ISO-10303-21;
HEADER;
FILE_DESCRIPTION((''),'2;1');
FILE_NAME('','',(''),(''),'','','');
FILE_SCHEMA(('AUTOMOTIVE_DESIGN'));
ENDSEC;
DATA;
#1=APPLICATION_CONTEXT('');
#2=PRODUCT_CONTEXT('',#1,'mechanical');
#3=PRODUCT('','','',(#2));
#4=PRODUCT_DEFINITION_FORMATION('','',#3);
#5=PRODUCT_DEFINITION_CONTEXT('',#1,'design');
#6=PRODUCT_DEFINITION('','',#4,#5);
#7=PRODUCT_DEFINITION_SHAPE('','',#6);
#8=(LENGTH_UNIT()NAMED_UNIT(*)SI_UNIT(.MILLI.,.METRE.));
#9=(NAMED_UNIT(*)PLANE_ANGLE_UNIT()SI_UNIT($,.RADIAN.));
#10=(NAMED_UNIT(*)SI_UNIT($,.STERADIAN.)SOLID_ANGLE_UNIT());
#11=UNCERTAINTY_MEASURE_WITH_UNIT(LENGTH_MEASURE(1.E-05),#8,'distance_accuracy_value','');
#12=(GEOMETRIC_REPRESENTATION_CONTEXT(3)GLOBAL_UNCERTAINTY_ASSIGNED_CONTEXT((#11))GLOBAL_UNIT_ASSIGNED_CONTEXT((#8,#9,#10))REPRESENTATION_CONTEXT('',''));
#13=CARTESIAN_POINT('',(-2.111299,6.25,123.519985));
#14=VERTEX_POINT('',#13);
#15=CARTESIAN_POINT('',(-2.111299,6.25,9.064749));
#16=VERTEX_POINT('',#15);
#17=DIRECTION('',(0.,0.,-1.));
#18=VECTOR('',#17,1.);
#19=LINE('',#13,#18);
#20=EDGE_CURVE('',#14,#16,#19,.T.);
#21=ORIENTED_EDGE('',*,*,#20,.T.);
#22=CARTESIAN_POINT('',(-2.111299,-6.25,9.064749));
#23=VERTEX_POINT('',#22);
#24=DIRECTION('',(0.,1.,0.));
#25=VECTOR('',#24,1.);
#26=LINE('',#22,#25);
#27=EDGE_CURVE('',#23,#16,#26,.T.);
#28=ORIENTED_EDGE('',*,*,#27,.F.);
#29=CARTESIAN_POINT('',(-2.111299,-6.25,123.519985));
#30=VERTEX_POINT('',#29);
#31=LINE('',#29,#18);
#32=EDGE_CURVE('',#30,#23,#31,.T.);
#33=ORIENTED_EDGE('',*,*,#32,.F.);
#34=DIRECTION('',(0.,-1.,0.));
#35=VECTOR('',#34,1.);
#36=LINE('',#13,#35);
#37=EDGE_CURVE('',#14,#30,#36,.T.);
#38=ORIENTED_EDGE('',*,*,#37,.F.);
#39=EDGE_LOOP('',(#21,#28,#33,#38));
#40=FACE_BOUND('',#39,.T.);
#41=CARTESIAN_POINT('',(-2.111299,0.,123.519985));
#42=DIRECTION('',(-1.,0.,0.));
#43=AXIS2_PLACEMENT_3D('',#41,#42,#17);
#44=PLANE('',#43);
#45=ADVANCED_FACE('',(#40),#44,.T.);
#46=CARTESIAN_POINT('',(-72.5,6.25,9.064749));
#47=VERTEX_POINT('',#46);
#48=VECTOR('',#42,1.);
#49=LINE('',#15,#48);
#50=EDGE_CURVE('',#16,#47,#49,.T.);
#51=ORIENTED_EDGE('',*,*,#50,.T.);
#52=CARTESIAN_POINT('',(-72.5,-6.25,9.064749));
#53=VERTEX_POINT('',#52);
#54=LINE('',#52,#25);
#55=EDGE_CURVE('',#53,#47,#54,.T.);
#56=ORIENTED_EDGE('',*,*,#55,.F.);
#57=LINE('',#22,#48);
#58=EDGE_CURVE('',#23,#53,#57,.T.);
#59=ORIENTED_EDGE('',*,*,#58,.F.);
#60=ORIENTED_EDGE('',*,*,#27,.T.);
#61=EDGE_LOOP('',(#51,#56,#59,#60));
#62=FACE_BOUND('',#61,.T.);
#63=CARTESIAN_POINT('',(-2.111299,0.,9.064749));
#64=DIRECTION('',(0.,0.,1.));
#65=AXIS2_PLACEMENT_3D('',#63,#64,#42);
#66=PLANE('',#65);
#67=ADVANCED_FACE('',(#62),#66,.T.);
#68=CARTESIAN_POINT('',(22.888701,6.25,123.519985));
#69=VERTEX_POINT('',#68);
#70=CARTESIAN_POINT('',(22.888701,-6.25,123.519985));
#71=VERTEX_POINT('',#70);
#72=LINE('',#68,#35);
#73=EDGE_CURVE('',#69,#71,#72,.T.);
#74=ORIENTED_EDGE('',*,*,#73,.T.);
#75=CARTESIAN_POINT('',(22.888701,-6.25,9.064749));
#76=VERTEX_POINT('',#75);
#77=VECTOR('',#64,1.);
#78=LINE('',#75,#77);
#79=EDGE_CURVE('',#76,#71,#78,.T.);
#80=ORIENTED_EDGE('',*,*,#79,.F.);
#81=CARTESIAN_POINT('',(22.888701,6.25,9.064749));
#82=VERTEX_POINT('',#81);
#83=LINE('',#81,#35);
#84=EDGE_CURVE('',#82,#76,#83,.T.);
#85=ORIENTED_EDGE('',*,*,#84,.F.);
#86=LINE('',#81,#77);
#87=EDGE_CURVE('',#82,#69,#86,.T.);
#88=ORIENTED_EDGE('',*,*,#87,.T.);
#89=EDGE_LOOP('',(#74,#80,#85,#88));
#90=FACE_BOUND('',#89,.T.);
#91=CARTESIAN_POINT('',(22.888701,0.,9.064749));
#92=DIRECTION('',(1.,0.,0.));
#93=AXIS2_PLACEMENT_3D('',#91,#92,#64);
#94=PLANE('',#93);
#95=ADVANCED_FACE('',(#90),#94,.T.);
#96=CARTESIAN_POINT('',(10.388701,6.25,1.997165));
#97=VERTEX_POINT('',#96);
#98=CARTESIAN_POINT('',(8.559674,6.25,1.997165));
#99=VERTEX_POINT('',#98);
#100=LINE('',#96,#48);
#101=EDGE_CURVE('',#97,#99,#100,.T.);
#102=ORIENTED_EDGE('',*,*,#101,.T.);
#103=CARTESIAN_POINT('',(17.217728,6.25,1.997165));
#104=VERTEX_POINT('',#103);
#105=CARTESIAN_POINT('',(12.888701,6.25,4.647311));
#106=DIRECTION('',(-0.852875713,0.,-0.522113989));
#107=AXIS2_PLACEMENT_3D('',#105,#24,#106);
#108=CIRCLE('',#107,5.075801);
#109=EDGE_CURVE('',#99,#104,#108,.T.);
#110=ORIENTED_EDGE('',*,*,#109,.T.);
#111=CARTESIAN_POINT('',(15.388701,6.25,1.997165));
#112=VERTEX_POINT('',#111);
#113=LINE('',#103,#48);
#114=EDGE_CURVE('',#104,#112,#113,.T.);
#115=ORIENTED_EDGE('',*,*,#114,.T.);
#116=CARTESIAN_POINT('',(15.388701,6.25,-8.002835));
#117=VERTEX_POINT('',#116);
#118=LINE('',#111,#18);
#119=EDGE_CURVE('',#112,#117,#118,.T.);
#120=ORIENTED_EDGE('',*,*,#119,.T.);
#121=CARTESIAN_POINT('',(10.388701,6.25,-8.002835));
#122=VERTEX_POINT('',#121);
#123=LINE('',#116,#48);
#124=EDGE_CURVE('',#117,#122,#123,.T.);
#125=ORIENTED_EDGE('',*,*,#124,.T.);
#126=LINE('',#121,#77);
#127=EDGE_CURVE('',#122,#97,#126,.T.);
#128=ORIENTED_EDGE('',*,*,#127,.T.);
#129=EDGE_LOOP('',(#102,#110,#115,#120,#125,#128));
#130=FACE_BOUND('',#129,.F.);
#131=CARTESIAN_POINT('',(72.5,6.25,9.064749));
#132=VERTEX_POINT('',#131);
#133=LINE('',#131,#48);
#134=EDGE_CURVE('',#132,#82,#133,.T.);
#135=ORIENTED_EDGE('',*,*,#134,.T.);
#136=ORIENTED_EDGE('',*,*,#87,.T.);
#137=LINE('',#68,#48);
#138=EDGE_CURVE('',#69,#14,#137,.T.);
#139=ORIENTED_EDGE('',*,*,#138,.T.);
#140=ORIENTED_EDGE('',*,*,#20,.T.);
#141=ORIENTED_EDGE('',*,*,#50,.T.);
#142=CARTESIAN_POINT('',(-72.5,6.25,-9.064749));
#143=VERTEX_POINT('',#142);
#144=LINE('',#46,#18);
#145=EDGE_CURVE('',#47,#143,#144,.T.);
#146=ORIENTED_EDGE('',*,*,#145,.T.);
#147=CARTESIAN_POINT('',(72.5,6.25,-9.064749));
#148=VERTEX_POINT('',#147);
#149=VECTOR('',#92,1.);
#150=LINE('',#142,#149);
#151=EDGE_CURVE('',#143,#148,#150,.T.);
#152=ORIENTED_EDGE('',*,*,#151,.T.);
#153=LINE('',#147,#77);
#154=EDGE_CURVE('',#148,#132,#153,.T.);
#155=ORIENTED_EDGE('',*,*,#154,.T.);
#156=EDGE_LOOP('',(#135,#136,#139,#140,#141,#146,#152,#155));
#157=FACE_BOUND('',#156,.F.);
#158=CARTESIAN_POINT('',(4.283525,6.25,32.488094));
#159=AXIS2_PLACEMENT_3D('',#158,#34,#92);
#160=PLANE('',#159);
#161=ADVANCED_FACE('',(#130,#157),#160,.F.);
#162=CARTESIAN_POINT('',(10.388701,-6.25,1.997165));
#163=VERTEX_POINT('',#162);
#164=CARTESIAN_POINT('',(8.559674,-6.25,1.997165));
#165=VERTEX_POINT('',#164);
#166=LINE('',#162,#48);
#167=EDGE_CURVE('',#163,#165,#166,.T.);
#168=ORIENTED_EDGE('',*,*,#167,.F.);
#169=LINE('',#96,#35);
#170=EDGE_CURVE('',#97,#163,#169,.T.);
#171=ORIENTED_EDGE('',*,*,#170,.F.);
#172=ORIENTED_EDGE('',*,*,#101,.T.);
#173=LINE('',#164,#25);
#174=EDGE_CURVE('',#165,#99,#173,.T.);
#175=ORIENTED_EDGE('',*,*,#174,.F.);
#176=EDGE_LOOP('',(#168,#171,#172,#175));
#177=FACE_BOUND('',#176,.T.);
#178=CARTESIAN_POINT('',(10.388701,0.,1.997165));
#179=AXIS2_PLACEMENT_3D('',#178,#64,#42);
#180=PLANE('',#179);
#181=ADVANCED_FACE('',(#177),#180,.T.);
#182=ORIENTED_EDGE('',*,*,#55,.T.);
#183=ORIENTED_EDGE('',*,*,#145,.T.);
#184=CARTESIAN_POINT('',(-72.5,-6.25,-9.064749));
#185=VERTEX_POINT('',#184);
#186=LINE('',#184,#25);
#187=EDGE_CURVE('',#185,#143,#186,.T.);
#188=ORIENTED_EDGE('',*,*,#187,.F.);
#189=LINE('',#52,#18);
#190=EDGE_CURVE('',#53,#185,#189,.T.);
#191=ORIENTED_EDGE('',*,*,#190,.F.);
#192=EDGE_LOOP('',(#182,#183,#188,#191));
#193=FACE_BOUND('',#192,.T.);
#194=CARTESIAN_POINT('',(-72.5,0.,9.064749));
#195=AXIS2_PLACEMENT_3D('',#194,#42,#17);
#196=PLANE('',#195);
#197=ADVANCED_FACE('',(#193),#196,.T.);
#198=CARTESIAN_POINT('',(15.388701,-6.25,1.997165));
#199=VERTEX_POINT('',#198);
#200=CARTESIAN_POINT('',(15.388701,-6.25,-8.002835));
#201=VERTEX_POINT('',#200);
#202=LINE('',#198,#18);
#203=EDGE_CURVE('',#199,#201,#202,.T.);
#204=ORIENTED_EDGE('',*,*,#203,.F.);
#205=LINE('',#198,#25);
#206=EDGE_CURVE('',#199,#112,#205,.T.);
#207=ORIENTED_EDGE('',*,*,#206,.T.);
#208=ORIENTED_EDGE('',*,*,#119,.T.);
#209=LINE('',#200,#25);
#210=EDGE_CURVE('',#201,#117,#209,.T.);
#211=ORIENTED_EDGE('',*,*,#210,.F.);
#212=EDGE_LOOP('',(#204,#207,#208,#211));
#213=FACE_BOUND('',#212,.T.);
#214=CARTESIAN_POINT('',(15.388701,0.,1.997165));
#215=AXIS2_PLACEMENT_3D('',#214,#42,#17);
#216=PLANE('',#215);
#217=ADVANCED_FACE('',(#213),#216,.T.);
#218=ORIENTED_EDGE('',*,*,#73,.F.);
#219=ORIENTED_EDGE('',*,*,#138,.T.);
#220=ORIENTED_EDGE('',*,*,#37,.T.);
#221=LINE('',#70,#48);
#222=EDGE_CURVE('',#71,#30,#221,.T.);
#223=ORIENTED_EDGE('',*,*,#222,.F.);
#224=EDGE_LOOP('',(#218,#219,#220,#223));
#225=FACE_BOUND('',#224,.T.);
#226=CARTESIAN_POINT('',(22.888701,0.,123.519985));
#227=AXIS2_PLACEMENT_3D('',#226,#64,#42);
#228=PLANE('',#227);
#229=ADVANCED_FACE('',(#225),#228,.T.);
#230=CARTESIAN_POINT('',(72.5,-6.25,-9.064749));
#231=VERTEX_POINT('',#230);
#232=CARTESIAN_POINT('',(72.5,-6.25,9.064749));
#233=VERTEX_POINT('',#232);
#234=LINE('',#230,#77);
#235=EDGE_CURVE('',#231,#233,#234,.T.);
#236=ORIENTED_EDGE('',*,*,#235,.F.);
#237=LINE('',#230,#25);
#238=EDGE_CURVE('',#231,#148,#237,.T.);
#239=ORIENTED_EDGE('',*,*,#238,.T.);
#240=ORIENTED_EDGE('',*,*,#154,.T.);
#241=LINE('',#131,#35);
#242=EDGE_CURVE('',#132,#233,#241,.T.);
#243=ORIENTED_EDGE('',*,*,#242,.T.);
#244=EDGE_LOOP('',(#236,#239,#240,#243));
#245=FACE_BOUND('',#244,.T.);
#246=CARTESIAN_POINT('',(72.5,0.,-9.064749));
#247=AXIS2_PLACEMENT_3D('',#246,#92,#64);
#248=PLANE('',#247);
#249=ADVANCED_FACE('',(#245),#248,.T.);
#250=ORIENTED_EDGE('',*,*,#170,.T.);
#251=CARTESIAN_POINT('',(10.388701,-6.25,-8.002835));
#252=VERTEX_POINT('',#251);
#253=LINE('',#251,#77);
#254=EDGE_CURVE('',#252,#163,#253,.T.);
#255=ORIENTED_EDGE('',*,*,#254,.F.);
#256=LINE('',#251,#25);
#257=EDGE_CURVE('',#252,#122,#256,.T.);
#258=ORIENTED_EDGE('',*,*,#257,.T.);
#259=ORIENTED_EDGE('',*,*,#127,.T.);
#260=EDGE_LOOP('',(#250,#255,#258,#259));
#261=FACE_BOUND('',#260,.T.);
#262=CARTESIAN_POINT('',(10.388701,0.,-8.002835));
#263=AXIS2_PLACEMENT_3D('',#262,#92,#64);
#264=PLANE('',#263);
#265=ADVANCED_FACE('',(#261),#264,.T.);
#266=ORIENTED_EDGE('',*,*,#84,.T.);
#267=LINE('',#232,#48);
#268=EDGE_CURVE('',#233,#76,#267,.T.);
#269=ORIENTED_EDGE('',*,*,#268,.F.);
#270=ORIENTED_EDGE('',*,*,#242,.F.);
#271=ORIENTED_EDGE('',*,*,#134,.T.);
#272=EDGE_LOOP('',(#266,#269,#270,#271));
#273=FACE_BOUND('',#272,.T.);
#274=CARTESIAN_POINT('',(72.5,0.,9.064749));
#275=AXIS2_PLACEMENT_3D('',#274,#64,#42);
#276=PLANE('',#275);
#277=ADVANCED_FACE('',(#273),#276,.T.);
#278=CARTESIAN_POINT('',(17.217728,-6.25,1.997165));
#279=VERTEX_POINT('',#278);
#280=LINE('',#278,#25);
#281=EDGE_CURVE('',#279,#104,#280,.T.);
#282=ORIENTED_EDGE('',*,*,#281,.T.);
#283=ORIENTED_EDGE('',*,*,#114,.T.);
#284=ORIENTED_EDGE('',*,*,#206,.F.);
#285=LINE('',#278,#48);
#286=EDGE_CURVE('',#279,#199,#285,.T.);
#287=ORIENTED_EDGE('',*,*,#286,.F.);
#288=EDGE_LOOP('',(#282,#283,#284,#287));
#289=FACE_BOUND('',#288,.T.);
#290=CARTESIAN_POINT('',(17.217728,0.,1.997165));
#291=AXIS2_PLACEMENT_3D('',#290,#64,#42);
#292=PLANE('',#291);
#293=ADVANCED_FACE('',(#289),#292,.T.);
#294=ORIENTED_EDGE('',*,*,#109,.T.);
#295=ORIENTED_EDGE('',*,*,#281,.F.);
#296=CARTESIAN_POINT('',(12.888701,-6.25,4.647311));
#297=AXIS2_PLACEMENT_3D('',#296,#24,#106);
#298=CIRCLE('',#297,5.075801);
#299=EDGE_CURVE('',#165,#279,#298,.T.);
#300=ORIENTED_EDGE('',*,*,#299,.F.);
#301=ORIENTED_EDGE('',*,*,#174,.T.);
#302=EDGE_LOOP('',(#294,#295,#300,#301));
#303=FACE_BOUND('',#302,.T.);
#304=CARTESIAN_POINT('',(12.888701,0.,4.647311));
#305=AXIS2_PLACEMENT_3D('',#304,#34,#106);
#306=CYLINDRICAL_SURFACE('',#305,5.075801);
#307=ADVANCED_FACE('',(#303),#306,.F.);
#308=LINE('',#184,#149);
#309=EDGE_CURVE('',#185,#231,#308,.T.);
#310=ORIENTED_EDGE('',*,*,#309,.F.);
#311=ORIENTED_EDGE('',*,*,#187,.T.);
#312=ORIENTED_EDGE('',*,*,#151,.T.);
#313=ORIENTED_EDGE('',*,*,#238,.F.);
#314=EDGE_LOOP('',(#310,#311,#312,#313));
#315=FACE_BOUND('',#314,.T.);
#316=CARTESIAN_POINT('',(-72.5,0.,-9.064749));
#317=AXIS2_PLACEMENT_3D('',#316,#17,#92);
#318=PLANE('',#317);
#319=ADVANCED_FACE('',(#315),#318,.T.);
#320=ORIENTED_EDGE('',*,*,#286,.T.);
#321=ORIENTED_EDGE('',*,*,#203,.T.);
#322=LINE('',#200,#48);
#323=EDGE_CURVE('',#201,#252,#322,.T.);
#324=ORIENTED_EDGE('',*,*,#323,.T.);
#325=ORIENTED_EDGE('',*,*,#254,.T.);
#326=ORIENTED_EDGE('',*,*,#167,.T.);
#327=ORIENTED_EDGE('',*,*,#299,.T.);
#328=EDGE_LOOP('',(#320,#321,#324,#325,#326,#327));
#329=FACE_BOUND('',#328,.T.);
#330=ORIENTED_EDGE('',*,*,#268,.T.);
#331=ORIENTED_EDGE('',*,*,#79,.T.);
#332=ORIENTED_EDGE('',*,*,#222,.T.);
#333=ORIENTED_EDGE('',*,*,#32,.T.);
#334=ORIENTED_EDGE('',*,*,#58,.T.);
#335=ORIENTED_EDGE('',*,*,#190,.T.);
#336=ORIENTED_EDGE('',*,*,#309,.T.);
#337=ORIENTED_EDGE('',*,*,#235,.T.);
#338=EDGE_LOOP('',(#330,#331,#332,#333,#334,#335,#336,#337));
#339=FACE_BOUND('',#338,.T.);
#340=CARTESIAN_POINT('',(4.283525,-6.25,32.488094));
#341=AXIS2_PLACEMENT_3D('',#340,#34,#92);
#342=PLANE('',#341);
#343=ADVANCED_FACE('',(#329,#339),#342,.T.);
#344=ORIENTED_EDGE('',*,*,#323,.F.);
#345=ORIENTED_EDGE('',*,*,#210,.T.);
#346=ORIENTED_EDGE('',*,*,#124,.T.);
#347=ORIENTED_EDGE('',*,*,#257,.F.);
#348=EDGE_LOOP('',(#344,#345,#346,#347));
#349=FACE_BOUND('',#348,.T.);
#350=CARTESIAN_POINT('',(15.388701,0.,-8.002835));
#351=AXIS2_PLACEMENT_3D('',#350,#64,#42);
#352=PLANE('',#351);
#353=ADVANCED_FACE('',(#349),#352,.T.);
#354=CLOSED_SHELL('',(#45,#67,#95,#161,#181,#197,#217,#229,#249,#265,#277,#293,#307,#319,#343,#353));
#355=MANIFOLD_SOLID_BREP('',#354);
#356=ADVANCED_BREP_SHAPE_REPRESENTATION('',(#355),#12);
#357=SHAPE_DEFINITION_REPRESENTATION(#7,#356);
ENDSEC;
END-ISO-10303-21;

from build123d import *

# Parameters (mm, degrees)
F1_DEPTH = 6.25


with BuildPart() as f1:
    # F0 (on Front) → F1 (new body, symmetric)
    with BuildSketch(Plane.XZ):
        Polygon((72.5, -9.064749), (72.5, 9.064749), (22.888701, 9.064749), (22.888701, 123.519985), (-2.111299, 123.519985), (-2.111299, 9.064749), (-72.5, 9.064749), (-72.5, -9.064749), align=None)
        with BuildLine():
            Line((10.388701, 1.997165), (8.559674, 1.997165))
            ThreePointArc((8.559674, 1.997165), (12.888701, 9.723112), (17.217728, 1.997165))
            Line((17.217728, 1.997165), (15.388701, 1.997165))
            Line((15.388701, 1.997165), (15.388701, -8.002835))
            Line((15.388701, -8.002835), (10.388701, -8.002835))
            Line((10.388701, -8.002835), (10.388701, 1.997165))
        make_face(mode=Mode.SUBTRACT)
    extrude(amount=F1_DEPTH, both=True)


solid = f1.part
